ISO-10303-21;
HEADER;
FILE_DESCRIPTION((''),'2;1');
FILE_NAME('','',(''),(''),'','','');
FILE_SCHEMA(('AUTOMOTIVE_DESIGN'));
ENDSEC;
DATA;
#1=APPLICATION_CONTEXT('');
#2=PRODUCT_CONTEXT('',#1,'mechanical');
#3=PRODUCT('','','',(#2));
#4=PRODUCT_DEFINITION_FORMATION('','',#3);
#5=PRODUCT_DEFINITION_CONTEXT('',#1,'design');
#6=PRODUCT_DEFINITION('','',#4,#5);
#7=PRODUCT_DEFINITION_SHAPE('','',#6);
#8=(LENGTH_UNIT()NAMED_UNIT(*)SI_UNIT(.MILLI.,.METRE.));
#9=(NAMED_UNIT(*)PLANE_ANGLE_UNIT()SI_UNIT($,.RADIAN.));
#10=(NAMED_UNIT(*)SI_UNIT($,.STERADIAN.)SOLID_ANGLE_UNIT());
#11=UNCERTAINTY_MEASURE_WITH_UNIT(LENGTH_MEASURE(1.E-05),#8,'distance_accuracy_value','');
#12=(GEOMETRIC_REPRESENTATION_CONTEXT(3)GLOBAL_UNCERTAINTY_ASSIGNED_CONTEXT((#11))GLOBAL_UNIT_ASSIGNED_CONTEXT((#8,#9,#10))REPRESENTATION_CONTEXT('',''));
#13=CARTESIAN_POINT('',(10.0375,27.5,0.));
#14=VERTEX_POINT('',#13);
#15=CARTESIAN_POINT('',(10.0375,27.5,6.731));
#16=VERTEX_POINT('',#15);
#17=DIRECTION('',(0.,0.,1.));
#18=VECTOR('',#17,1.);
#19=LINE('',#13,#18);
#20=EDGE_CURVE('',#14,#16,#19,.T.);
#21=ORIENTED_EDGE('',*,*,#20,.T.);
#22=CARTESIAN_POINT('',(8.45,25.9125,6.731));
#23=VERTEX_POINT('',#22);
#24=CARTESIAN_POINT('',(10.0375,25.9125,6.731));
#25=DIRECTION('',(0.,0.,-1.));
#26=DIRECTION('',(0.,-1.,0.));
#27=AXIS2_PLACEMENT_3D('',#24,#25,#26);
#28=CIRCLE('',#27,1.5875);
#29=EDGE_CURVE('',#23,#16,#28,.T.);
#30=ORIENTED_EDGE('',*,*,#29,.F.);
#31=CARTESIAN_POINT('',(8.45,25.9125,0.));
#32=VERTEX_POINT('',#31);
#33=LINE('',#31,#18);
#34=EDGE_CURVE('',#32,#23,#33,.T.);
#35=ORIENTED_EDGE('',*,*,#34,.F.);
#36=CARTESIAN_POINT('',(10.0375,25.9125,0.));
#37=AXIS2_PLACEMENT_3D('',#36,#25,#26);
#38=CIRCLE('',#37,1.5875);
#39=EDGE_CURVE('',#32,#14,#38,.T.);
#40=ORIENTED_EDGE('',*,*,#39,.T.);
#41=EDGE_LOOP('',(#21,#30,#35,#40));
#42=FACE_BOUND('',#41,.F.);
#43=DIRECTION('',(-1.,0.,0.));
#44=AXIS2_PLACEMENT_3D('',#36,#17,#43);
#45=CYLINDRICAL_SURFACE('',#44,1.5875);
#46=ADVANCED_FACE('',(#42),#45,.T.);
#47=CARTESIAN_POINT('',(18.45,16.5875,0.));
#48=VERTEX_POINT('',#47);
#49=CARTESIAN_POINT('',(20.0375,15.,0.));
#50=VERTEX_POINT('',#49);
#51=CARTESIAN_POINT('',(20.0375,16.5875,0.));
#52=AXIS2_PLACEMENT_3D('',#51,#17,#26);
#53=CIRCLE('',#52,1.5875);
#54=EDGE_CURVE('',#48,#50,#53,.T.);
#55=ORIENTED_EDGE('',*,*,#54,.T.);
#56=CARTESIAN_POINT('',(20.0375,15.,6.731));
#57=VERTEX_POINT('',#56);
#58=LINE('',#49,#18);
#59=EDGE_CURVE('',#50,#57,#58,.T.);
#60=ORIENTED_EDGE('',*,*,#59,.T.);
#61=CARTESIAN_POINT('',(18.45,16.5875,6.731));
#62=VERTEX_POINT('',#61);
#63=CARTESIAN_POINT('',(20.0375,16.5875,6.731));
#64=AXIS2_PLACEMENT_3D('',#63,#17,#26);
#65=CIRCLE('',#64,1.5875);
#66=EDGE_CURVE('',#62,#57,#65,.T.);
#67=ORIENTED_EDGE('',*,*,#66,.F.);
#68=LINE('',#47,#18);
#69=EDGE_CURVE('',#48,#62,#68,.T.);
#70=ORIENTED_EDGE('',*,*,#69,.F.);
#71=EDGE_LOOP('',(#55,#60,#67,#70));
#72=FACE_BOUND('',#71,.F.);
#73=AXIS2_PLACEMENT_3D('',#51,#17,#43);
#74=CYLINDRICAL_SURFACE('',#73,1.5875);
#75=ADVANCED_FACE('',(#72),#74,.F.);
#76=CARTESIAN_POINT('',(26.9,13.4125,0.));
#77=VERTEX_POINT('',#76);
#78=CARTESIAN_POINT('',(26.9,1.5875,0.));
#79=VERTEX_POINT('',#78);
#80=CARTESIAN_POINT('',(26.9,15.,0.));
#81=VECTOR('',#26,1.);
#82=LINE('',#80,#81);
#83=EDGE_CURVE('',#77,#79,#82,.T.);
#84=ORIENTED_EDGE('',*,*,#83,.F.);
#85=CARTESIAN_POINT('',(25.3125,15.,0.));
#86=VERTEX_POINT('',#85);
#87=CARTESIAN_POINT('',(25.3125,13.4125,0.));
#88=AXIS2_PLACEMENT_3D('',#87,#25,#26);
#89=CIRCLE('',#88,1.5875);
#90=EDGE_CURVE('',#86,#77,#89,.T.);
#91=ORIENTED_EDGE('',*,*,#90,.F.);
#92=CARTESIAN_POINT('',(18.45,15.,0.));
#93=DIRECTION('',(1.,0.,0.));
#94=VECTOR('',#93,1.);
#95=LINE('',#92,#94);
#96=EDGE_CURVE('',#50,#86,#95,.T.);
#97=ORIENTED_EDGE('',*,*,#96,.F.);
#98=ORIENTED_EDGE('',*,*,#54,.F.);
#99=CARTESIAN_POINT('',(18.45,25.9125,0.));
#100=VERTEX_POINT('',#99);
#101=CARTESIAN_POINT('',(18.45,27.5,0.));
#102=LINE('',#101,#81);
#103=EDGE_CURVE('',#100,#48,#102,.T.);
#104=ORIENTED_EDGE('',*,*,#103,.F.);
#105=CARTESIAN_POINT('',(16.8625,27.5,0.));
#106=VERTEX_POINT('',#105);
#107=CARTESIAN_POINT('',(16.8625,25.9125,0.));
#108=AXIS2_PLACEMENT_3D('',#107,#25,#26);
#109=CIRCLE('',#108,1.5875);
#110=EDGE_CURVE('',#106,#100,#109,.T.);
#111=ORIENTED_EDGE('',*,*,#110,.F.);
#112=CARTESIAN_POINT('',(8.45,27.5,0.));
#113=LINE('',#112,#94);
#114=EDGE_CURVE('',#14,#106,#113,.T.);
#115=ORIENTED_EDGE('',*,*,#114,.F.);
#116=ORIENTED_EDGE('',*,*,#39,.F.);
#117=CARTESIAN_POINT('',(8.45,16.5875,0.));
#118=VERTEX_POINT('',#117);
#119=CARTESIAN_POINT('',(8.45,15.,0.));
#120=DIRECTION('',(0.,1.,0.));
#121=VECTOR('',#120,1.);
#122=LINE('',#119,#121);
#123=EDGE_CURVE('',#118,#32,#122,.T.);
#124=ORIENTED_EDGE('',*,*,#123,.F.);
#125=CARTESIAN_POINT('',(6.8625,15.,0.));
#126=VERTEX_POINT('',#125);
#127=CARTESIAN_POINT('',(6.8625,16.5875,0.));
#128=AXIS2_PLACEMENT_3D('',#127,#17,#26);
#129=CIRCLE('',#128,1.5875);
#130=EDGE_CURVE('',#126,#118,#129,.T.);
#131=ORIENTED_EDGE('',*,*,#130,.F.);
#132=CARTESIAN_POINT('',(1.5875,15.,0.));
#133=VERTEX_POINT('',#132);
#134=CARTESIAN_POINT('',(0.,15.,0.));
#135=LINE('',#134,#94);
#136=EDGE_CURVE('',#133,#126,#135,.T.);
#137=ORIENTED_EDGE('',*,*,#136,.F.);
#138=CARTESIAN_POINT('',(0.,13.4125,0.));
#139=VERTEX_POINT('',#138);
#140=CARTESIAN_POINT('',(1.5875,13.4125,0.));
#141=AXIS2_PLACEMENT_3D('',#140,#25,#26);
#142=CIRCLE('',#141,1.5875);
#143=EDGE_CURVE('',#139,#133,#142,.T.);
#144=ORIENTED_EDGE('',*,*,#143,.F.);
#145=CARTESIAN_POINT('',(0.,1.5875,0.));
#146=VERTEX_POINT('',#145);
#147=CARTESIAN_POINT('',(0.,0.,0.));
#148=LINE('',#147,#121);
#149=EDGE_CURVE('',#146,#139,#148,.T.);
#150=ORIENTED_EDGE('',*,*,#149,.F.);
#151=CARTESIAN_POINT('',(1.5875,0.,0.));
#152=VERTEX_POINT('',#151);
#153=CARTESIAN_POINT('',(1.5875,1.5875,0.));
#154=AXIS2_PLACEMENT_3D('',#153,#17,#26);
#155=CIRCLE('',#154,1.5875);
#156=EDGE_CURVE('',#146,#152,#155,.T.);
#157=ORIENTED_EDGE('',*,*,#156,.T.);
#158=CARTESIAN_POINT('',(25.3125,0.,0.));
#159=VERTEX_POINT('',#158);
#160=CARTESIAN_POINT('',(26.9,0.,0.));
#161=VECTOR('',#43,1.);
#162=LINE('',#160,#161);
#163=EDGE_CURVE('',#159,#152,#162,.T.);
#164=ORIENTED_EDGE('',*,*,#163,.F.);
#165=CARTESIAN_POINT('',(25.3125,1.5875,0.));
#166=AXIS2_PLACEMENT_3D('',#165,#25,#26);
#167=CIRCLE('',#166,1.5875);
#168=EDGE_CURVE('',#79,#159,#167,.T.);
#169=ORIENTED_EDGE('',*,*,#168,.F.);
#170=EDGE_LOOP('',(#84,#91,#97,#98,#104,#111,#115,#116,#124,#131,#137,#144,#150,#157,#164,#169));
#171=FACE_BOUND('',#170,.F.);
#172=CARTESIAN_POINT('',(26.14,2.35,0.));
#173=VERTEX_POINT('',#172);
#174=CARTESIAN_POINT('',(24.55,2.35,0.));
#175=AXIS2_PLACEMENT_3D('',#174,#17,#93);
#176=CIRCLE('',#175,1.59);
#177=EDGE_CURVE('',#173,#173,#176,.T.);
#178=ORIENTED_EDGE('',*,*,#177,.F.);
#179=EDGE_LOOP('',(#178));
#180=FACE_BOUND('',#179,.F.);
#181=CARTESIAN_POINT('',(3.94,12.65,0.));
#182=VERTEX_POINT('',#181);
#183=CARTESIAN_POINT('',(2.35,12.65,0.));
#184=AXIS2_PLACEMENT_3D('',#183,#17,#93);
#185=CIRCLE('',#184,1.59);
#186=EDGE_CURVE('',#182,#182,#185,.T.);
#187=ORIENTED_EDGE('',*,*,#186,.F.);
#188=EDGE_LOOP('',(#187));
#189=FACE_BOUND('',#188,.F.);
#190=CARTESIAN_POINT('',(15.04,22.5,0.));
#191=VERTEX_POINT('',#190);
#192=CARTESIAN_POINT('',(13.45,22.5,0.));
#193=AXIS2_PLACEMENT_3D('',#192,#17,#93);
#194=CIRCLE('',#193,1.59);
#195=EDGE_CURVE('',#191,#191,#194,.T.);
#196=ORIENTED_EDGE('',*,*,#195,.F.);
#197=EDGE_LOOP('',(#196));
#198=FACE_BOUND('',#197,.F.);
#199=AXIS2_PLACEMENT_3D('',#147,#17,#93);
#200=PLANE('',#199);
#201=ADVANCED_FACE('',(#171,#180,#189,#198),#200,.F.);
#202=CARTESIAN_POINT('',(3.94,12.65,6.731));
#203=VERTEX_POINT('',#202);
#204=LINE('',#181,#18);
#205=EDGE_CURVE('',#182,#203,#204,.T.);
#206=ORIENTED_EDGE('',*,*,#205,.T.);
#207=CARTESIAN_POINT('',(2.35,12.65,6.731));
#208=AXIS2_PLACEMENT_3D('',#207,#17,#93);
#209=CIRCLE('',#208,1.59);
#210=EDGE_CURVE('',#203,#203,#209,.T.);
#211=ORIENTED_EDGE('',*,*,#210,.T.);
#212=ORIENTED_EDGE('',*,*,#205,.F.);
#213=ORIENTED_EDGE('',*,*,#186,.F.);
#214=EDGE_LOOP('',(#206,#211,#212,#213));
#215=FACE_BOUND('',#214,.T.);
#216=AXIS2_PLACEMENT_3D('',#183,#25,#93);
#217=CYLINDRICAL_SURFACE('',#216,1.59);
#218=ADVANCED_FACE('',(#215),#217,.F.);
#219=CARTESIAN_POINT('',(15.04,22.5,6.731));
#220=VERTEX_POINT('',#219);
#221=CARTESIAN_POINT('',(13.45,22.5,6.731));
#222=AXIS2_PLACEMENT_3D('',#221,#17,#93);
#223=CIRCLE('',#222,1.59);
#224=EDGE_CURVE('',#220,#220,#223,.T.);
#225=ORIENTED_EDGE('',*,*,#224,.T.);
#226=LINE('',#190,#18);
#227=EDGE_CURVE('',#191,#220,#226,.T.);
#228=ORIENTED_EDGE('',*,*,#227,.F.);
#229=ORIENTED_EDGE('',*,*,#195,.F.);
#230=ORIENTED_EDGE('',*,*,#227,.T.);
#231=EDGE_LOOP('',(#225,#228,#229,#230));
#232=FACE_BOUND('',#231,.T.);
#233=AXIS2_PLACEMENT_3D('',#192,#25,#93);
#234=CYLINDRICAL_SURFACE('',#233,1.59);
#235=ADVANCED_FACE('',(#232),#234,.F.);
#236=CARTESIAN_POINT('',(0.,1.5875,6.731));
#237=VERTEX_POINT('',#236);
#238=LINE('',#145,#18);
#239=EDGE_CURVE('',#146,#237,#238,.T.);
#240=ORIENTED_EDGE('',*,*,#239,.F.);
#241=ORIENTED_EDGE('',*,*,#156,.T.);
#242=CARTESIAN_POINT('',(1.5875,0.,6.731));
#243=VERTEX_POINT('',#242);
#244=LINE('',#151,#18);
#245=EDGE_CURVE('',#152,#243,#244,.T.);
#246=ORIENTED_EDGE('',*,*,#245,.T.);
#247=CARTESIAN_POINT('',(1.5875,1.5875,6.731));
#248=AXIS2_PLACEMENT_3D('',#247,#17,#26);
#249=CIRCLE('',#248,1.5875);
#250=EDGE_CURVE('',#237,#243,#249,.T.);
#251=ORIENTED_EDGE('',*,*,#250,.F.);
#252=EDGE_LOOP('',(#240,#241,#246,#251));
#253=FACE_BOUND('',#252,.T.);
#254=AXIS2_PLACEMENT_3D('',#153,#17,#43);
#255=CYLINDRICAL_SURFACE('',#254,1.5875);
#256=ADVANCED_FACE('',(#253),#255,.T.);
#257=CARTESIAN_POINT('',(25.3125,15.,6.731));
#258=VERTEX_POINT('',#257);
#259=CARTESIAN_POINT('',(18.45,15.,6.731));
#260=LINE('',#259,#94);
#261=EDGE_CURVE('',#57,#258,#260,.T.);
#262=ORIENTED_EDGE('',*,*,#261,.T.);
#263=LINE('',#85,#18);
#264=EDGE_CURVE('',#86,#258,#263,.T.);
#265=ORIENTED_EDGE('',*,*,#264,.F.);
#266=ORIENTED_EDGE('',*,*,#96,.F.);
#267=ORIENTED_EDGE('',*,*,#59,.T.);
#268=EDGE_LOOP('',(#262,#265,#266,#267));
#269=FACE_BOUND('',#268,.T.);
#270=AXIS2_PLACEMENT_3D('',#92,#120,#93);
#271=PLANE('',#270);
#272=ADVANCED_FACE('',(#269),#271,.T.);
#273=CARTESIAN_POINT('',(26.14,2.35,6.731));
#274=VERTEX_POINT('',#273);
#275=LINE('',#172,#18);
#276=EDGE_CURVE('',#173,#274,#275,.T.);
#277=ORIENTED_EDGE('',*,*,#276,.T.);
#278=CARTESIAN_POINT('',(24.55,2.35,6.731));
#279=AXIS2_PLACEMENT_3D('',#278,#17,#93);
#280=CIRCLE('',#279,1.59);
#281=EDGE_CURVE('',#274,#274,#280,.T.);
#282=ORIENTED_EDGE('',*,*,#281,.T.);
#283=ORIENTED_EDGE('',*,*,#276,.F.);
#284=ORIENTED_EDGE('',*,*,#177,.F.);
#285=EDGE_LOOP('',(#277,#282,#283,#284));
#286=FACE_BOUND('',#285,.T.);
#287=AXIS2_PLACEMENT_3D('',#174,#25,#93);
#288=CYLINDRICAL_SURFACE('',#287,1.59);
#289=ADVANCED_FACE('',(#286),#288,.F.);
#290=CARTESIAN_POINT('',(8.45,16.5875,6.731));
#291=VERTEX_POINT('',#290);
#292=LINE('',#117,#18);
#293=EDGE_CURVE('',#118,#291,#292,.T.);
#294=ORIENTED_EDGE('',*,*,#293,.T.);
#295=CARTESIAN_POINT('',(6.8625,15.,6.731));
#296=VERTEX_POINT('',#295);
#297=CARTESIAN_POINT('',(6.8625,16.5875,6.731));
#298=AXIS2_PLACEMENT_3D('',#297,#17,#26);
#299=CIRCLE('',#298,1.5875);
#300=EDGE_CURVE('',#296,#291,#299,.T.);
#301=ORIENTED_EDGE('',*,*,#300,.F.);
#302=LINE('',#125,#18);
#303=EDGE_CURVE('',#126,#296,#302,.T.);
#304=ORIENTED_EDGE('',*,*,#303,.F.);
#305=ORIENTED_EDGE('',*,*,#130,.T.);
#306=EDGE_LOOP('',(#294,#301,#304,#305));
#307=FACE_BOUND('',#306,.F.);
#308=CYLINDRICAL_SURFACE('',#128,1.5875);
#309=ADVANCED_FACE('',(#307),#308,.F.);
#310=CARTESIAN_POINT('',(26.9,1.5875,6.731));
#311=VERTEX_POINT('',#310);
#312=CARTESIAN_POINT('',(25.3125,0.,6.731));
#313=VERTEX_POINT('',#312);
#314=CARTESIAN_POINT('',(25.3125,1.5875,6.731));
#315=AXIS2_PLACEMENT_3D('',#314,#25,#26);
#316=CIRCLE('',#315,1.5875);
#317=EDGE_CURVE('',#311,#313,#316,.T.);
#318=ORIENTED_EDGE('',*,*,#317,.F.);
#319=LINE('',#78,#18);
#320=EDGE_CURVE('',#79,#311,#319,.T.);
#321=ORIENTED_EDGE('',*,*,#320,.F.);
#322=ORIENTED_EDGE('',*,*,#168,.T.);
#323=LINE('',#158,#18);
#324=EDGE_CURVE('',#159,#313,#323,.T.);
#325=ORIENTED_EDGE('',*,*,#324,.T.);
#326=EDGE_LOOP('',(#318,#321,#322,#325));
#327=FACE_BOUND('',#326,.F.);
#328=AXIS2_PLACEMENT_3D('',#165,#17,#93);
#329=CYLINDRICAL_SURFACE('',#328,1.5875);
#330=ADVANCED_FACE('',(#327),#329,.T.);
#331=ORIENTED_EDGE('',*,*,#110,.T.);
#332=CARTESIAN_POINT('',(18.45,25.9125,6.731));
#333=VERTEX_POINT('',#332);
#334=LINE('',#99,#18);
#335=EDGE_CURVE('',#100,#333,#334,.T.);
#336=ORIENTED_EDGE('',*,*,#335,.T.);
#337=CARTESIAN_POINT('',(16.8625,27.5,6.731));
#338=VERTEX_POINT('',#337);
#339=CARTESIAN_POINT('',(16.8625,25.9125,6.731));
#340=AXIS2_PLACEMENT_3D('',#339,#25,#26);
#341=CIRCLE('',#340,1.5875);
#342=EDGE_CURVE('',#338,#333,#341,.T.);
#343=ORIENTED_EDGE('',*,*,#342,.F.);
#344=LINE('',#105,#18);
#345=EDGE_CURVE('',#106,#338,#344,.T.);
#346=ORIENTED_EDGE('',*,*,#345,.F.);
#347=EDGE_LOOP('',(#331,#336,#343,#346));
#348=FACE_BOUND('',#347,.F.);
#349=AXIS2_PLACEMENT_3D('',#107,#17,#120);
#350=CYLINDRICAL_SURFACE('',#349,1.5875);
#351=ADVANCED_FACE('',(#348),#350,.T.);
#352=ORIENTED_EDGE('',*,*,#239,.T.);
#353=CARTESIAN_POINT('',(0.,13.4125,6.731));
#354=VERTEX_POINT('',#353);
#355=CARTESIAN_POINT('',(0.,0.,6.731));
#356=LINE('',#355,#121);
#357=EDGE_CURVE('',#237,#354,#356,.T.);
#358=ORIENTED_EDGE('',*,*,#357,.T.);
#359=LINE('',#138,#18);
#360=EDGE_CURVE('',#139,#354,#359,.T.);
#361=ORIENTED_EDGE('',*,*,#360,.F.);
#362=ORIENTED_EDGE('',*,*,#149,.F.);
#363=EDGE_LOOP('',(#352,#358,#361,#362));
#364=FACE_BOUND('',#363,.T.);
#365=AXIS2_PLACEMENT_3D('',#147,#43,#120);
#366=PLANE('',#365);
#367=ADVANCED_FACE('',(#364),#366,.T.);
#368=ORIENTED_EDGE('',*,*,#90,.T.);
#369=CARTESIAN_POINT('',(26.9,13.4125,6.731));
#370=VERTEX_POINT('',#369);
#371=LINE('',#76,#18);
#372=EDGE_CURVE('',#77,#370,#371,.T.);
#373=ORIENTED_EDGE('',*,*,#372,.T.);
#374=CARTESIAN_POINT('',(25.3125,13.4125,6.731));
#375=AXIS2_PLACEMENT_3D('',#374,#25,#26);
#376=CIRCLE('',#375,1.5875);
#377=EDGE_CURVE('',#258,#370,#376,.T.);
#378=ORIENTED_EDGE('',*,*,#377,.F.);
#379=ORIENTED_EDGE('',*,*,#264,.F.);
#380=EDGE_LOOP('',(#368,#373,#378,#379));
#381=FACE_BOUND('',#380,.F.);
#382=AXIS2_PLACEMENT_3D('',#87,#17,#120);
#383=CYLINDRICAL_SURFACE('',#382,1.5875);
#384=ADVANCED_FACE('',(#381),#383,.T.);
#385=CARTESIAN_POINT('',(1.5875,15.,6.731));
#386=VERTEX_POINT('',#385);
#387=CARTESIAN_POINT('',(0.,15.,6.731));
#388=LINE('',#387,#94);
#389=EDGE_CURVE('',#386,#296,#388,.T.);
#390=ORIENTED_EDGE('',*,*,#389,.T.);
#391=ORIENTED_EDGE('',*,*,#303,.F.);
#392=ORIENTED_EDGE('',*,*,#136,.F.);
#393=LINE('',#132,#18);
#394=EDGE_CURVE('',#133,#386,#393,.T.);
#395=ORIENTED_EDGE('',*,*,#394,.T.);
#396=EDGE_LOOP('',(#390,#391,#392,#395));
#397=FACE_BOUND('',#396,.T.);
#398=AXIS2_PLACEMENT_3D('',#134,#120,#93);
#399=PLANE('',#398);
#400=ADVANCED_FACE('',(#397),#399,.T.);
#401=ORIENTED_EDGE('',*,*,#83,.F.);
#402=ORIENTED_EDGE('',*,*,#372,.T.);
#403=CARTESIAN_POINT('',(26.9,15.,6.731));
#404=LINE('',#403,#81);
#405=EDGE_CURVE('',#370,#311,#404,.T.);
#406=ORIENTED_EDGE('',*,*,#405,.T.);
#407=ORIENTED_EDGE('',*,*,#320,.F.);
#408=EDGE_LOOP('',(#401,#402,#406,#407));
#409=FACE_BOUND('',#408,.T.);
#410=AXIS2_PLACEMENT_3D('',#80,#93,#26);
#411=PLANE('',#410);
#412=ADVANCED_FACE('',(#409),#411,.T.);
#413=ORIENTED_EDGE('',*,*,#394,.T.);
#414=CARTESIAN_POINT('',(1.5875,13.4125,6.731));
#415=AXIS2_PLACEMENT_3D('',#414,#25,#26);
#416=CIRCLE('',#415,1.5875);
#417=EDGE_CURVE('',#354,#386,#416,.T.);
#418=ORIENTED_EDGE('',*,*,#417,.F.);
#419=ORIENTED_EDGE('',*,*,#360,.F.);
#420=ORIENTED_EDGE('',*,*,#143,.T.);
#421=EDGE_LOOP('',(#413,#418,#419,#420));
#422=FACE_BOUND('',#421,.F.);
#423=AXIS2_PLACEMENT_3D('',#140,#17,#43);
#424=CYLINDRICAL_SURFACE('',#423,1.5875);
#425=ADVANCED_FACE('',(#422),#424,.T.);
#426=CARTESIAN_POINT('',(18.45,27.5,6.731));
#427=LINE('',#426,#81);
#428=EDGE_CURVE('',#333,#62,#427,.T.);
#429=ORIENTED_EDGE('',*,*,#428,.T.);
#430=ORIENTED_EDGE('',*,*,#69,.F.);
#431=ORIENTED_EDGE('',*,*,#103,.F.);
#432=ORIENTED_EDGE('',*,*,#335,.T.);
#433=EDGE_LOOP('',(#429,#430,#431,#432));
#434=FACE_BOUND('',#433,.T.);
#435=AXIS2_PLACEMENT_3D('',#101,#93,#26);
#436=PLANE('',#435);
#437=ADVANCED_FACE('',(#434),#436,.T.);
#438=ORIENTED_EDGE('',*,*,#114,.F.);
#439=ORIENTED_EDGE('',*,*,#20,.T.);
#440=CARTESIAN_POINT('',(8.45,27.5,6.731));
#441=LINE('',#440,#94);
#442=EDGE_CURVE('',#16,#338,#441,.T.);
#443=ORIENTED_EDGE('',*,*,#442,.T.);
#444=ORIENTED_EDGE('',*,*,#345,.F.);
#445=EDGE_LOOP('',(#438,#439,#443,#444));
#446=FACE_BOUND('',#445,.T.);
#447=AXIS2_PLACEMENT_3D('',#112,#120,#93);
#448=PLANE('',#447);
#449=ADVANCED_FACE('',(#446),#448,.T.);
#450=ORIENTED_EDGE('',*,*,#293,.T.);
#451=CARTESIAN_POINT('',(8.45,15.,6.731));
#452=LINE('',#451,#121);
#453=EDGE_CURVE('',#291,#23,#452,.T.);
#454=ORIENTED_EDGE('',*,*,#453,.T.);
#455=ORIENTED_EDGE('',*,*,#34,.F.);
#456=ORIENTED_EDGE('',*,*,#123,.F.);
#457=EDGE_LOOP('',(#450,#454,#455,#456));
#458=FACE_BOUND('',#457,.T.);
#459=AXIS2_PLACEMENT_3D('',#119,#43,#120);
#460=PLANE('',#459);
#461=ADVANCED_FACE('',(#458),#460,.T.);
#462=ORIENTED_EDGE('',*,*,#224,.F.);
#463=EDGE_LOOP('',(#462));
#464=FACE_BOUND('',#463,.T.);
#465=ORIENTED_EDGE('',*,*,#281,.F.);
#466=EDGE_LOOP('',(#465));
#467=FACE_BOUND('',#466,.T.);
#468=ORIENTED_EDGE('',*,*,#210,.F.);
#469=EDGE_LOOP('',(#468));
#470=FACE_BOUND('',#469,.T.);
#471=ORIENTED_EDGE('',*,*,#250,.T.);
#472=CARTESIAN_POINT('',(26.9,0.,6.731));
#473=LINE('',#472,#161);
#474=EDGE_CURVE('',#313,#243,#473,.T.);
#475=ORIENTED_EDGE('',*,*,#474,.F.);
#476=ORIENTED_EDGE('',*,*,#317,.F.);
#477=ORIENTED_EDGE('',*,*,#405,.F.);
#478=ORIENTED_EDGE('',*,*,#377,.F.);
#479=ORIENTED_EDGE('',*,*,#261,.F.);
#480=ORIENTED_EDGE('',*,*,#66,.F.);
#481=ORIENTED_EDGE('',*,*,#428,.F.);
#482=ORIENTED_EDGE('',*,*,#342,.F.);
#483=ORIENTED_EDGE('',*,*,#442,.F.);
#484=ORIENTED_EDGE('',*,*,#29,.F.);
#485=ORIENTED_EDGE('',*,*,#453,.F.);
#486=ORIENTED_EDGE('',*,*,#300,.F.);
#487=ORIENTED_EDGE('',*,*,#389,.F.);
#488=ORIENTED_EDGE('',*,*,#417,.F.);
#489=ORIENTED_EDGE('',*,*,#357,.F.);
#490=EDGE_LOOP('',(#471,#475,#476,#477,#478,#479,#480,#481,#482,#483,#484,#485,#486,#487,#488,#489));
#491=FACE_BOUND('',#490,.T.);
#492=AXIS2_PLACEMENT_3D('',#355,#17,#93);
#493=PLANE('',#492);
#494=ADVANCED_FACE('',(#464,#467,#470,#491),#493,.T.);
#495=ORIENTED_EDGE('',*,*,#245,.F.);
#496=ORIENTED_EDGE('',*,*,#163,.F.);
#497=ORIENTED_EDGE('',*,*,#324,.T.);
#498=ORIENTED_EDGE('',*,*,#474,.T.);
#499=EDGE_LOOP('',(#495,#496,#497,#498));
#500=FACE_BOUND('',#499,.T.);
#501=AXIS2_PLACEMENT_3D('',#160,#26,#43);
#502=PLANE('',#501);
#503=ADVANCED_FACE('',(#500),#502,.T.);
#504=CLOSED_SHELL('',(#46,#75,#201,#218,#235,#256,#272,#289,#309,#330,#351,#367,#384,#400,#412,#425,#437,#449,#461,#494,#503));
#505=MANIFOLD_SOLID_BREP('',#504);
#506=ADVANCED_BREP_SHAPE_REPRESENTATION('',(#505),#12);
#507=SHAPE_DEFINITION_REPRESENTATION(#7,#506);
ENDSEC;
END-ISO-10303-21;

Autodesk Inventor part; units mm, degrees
ref_plane "YZ Plane" through (0, 0, 0) normal (1, 0, 0) x (0, 1, 0)
ref_plane "XZ Plane" through (0, 0, 0) normal (0, 1, 0) x (-1, 0, 0)
ref_plane "XY Plane" through (0, 0, 0) normal (0, 0, 1) x (1, 0, 0)
sketch "Sketch1" plane through (0, 0, 0) normal (0, 0, 1) x (1, 0, 0)
  circle A0 centre (13.45, 22.5) radius 1.59
  circle A1 centre (2.35, 12.65) radius 1.59
  circle A2 centre (24.55, 2.35) radius 1.59
  line L0 (0, 0) -> (0, 15)
  line L1 (0, 15) -> (8.45, 15)
  line L2 (8.45, 15) -> (8.45, 27.5)
  line L3 (8.45, 27.5) -> (18.45, 27.5)
  line L4 (18.45, 27.5) -> (18.45, 15)
  line L5 (18.45, 15) -> (26.9, 15)
  line L6 (26.9, 15) -> (26.9, 0)
  line L7 (26.9, 0) -> (0, 0)
  point P0 (13.45, 27.5)
  dimension "d8" = 3.18
  dimension "d9" = 10.3
  dimension "d10" = 22.2
  dimension "d18" = 15
  dimension "d19" = 2.35
  dimension "d20" = 2.35
  dimension "d21" = 2.35
  dimension "d22" = 2.35
  dimension "d24" = 26.9
  dimension "d27" = 5
  dimension "d30" = 12.5
  dimension "d32" = 10
  dimension "d33" = 8.45
  dimension "d34" = 8.45
extrude "Extrusion1" add sketch "Sketch1" along normal blind 6.731
fillet "Fillet1" radius 1.5875 8 edges at (18.45, 15, 3.3655) (8.45, 15, 3.3655) (0, 0, 3.3655) (26.9, 0, 3.3655) (0, 15, 3.3655) (8.45, 27.5, 3.3655) (18.45, 27.5, 3.3655) (26.9, 15, 3.3655)
equation "\"d19\" = d22"
equation "\"d20\" = d19"
equation "\"d21\" = d19"
equation "\"d33\" = d34"
equation "\"d2\" = THICKB"
equation "\"THICKA\" = 3.175"
equation "\"THICKB\" = 6.731"
equation "\"THICKC\" = 12.7"
equation "\"BALLDIA\" = 12"
equation "\"MAGDIA\" = 9.5"
equation "\"THICKPLY\" = 5"
properties part number "EndStop_Bracket"
